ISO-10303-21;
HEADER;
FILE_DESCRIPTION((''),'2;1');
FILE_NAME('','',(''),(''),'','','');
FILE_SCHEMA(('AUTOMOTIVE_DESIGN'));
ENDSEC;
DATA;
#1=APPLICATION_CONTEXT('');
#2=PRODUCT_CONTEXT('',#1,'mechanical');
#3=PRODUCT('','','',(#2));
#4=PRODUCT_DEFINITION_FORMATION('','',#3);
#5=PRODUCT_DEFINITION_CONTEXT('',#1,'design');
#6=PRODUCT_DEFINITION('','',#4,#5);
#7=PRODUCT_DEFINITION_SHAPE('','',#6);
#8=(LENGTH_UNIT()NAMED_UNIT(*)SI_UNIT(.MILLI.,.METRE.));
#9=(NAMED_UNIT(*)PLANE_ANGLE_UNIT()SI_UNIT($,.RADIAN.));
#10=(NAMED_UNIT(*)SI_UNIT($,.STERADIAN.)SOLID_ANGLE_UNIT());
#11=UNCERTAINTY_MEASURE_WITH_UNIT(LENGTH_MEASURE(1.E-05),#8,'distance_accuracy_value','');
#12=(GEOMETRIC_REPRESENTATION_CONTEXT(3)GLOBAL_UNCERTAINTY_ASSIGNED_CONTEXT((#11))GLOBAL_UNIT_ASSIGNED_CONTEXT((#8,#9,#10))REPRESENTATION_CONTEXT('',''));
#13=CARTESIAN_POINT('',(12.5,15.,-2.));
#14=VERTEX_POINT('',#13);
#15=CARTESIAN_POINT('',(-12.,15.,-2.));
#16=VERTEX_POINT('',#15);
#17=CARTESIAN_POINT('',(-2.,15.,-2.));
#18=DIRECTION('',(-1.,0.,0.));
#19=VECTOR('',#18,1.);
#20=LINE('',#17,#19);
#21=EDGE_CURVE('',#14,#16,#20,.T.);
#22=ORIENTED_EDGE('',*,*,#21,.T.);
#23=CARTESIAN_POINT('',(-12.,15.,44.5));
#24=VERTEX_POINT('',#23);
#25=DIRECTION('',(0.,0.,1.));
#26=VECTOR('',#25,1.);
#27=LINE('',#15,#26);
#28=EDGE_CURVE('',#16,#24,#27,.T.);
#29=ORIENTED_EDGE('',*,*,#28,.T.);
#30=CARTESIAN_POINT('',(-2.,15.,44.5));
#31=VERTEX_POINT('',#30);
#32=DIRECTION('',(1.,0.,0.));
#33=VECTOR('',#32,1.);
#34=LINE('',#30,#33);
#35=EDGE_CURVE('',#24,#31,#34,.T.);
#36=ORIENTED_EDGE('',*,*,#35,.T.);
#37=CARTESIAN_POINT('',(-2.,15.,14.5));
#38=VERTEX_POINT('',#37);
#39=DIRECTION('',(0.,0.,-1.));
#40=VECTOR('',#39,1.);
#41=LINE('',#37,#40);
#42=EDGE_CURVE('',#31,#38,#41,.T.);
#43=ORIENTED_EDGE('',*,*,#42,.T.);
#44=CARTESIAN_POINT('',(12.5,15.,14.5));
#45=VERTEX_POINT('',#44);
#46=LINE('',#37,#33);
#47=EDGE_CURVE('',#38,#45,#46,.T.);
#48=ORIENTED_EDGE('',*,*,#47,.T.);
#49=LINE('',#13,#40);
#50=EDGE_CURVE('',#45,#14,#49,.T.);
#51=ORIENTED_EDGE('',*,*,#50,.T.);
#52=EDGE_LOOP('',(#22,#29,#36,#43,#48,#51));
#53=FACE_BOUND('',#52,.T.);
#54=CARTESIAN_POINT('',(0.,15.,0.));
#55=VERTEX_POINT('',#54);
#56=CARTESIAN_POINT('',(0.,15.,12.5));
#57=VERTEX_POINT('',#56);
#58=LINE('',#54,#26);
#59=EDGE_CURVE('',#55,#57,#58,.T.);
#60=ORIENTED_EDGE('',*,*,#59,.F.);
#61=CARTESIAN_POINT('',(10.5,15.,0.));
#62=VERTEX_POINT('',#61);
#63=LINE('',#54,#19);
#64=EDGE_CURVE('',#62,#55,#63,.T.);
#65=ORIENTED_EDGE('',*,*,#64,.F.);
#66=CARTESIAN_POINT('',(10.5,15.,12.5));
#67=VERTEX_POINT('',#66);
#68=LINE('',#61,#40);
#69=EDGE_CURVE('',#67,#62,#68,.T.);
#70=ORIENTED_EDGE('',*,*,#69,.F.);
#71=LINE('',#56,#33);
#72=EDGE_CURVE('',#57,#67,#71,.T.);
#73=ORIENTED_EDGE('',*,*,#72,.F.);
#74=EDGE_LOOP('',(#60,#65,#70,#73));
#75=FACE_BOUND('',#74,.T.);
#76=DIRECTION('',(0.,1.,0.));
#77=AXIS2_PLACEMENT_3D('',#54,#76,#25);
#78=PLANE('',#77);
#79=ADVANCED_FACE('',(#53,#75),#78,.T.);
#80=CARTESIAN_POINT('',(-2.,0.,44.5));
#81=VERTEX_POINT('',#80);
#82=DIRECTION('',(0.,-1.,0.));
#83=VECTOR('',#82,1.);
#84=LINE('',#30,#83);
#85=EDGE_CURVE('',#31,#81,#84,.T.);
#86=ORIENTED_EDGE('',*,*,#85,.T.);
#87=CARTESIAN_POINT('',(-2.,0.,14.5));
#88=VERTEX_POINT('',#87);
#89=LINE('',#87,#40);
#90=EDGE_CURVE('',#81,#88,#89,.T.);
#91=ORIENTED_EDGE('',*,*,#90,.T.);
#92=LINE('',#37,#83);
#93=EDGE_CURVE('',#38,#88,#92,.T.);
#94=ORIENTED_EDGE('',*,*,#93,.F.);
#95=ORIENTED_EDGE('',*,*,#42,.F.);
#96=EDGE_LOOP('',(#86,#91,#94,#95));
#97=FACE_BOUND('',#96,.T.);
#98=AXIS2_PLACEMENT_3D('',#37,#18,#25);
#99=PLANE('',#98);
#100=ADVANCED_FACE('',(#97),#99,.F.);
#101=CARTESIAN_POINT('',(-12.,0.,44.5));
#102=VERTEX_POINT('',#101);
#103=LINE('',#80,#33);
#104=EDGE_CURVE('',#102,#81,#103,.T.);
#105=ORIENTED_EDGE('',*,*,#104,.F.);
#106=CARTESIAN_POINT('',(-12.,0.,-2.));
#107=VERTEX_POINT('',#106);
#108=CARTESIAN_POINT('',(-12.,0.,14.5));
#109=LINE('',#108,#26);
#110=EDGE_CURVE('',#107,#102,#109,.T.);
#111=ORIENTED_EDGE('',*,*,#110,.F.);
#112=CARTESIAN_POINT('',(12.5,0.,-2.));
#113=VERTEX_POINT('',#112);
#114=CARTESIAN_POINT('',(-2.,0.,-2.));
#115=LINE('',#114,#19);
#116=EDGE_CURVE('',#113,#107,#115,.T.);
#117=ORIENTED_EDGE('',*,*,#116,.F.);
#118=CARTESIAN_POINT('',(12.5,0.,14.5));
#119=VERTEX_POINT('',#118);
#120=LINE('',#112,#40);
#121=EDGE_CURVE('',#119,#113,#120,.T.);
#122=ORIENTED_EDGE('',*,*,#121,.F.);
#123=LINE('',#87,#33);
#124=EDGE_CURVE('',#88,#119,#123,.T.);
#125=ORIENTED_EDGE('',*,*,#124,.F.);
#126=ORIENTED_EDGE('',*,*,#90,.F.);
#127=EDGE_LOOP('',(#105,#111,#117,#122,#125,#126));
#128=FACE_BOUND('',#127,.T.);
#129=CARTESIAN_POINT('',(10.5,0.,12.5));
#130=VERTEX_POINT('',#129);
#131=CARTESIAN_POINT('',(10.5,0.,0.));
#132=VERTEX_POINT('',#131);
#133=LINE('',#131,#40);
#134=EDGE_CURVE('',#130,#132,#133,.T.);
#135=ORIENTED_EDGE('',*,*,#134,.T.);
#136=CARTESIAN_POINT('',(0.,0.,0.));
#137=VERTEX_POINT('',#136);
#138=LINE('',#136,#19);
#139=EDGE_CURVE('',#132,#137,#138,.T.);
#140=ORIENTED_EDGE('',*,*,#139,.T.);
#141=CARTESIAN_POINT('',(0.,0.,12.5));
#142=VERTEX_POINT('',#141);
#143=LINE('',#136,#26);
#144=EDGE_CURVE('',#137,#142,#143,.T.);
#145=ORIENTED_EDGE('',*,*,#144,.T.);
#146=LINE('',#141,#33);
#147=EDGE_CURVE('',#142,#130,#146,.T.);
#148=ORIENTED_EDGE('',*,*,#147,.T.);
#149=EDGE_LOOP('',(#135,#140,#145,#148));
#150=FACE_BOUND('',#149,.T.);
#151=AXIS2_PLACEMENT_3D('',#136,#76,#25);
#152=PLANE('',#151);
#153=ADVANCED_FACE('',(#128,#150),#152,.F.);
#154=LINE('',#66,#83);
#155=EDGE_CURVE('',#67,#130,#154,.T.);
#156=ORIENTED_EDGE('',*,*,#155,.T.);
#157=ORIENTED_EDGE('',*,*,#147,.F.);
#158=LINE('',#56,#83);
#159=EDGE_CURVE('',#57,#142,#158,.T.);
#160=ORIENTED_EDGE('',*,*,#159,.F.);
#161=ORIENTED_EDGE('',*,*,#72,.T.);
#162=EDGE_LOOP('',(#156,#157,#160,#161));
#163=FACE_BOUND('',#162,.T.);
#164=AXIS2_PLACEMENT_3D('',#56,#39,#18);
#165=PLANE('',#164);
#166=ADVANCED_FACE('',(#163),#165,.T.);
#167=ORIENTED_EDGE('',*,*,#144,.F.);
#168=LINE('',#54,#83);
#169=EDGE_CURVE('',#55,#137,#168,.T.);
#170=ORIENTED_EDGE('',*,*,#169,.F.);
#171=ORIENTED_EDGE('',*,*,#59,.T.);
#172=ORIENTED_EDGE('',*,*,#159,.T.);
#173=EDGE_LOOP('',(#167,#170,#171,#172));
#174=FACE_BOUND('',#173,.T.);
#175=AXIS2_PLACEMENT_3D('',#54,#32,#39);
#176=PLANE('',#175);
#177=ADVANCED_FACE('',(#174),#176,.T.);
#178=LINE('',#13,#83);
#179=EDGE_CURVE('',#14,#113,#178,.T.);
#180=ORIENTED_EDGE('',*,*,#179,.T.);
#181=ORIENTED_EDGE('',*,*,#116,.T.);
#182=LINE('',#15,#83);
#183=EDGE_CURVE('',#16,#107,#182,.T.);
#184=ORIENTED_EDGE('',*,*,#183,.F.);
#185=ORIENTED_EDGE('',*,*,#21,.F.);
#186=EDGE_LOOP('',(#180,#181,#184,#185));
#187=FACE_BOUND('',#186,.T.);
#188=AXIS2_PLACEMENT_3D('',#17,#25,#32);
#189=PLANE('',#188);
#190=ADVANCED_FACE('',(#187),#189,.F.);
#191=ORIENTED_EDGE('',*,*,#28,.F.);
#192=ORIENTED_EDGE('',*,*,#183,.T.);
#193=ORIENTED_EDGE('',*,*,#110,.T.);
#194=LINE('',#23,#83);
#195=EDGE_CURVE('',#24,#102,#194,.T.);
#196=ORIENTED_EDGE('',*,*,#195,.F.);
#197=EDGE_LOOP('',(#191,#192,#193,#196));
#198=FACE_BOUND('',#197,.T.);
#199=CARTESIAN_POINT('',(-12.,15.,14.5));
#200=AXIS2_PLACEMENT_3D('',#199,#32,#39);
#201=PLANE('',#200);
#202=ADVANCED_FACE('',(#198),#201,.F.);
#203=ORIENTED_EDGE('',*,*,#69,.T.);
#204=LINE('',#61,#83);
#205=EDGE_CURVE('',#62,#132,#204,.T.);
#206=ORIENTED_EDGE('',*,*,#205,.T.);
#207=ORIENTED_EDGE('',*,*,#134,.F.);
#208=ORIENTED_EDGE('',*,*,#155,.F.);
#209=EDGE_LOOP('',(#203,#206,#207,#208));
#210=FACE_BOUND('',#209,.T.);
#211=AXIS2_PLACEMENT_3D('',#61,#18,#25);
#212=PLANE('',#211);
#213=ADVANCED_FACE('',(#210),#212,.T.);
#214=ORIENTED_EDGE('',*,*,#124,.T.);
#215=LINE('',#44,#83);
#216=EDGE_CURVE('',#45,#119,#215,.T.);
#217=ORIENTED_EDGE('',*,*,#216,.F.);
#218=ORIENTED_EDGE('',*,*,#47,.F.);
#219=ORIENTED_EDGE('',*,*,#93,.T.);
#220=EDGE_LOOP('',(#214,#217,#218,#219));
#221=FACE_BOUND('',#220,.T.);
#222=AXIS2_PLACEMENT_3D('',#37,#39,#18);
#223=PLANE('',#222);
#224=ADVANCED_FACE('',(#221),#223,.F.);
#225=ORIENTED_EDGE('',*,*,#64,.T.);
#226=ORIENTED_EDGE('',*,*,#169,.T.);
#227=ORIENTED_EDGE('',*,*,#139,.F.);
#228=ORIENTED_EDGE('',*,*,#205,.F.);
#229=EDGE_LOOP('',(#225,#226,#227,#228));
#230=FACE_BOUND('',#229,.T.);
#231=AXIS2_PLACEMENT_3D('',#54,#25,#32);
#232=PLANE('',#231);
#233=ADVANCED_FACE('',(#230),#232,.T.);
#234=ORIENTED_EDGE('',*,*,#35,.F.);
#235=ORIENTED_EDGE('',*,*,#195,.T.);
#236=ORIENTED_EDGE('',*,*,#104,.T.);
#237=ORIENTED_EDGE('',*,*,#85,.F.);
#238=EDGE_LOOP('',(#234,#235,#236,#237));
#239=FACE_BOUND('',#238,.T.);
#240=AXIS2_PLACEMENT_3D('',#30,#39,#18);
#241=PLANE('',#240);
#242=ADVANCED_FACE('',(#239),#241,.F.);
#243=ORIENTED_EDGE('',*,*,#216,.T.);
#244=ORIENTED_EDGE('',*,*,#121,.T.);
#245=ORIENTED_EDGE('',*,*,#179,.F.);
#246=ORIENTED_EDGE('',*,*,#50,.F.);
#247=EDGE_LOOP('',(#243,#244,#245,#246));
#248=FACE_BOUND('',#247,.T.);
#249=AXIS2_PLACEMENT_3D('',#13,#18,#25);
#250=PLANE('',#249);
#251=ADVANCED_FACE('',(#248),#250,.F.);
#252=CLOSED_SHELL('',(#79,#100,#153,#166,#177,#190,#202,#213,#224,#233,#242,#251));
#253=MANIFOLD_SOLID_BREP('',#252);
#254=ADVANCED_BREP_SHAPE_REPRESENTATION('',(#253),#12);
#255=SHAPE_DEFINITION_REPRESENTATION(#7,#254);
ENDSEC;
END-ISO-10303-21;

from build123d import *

# Parameters (mm, degrees)
SKETCH2_W           = 10.5
SKETCH2_H           = 12.5
BOSS_EXTRUDE1_DEPTH = 15


with BuildPart() as part:
    # Sketch2 → Boss-Extrude1 (new body)
    with BuildSketch(Plane(origin=(0, 0, 0), x_dir=(1, 0, 0), z_dir=(0, 1, 0))):
        Polygon((-2, -14.5), (12.5, -14.5), (12.5, 2), (-2, 2), (-12, 2), (-12, -14.5), (-12, -44.5), (-2, -44.5), align=None)
        with Locations((5.25, -6.25)):
            Rectangle(SKETCH2_W, SKETCH2_H, mode=Mode.SUBTRACT)
    extrude(amount=BOSS_EXTRUDE1_DEPTH)


solid = part.part
